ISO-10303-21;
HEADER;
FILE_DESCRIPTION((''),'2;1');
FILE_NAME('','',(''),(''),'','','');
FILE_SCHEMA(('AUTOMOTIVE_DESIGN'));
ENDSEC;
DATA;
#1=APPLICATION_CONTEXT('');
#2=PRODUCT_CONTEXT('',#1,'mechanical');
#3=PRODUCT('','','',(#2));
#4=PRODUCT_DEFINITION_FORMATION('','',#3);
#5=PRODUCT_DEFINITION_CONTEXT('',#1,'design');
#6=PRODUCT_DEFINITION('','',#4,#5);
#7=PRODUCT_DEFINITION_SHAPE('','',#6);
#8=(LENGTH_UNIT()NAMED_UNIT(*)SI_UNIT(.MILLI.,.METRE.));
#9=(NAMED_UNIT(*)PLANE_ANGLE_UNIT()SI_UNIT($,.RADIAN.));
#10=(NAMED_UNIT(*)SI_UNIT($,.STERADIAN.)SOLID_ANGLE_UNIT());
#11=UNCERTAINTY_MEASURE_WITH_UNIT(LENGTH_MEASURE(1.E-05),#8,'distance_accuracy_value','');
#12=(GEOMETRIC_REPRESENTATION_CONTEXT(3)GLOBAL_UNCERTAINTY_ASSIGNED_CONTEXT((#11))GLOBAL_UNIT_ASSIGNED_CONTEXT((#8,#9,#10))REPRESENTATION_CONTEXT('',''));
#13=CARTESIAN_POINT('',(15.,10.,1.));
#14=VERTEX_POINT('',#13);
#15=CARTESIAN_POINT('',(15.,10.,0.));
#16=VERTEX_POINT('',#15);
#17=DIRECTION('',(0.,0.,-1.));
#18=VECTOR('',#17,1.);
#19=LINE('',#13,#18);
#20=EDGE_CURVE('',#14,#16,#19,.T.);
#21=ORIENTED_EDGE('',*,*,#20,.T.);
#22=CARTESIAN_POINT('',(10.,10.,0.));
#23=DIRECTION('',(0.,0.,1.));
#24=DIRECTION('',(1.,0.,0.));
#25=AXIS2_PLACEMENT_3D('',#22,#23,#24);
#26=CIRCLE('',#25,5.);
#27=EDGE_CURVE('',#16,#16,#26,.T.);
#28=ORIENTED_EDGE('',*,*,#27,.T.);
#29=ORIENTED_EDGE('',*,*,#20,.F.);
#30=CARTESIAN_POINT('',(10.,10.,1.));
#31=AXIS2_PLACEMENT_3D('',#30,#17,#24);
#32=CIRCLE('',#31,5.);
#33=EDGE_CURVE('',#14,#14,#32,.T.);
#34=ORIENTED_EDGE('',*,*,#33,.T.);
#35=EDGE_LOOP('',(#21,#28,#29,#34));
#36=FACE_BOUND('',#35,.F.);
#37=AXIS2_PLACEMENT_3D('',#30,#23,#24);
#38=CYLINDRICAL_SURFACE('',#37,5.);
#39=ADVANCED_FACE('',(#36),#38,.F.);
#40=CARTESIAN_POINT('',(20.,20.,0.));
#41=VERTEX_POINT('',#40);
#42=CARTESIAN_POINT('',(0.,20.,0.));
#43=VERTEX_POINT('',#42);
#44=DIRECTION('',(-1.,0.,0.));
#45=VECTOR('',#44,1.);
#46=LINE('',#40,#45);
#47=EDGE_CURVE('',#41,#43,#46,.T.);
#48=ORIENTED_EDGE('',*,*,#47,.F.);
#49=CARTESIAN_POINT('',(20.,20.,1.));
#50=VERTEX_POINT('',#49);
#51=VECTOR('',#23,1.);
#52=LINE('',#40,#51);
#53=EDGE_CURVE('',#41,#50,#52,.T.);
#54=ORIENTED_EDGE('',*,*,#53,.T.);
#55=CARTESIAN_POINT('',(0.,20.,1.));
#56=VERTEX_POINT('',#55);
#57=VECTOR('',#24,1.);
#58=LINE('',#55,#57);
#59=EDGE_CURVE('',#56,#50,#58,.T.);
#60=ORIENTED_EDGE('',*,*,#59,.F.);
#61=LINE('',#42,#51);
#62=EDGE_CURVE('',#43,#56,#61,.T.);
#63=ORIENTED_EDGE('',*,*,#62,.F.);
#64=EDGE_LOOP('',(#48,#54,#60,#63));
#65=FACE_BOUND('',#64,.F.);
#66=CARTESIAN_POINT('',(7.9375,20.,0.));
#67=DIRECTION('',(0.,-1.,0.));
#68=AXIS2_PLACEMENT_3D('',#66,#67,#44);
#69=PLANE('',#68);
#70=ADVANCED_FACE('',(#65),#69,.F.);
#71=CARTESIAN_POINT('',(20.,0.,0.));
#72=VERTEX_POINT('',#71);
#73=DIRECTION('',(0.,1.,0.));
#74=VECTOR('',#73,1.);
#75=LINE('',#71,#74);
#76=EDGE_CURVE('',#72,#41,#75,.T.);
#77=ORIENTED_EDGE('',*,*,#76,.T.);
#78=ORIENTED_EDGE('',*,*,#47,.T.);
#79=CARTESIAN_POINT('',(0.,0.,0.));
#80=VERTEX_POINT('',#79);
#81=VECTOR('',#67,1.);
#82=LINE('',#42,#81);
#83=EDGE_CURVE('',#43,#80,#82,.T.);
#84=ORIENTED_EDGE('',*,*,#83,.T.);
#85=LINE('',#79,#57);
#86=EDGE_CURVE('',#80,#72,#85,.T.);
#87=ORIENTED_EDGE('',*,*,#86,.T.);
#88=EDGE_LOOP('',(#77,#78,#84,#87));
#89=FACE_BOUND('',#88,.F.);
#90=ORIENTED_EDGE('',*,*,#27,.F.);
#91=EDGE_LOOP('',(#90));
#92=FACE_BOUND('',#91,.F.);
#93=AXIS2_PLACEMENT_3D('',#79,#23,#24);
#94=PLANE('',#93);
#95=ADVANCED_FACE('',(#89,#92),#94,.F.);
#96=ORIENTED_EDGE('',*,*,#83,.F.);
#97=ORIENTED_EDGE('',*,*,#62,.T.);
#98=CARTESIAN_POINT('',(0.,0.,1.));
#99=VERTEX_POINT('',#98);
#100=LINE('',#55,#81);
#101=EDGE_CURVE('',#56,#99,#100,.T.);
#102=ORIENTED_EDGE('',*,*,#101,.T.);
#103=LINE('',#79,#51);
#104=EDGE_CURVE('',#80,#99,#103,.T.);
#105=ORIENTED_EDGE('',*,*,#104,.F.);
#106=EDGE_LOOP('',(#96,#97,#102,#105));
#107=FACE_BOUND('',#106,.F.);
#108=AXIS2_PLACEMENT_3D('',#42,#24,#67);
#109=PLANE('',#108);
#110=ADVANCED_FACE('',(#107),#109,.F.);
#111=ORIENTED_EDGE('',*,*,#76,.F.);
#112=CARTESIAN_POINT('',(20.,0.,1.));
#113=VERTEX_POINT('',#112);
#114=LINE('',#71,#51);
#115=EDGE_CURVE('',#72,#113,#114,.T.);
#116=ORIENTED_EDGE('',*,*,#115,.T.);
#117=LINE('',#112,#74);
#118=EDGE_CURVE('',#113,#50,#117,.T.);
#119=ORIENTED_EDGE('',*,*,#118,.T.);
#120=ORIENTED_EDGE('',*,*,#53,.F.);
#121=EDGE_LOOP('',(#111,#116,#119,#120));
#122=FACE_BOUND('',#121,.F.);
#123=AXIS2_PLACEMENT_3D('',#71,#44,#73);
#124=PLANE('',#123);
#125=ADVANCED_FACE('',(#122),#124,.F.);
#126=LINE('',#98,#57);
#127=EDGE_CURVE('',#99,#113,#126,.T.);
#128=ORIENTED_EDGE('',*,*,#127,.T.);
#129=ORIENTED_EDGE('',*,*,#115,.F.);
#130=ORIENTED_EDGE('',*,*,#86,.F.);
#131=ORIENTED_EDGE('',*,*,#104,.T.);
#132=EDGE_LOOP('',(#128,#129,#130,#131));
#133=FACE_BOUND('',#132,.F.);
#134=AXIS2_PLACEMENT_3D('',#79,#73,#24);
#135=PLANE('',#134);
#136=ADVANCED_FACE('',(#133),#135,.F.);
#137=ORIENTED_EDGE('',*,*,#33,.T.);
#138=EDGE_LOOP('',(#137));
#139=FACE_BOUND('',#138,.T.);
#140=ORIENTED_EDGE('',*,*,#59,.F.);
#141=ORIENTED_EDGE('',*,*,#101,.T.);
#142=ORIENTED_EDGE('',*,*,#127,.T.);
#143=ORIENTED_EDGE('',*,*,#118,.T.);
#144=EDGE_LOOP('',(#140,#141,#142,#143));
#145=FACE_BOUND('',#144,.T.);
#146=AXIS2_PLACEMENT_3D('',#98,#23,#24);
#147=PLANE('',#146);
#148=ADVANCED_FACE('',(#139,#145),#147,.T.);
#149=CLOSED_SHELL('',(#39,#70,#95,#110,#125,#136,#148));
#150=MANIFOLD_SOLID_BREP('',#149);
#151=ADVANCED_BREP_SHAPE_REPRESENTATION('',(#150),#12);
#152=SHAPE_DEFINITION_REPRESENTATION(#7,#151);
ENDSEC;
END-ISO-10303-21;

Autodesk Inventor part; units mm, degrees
ref_plane "YZ Plane" through (0, 0, 0) normal (1, 0, 0) x (0, 1, 0)
ref_plane "XZ Plane" through (0, 0, 0) normal (0, 1, 0) x (-1, 0, 0)
ref_plane "XY Plane" through (0, 0, 0) normal (0, 0, 1) x (1, 0, 0)
sketch "Sketch1" plane through (0, 0, 0) normal (0, 0, 1) x (1, 0, 0)
  line L0 (0, 0) -> (20, 0)
  line L1 (20, 0) -> (20, 20)
  line L2 (20, 20) -> (0, 20)
  line L3 (0, 20) -> (0, 0)
  line L4 (0, 20) -> (7.9375, 20)
  dimension "d0" = 20
  dimension "d1" = 20
extrude "Extrusion1" add sketch "Sketch1" along normal blind 1
sketch "Sketch2" plane through (0, 0, 1) normal (0, 0, 1) x (1, 0, 0)
  line L0 (0, 0) -> (20, 0) projected
  line L1 (0, 0) -> (10, 0)
  line L2 (10, 0) -> (10, 10)
  circle A0 centre (10, 10) radius 5
  dimension "d4" = 10
  dimension "d5" = 10
  dimension "d6" = 10
extrude "Extrusion2" cut sketch "Sketch2" against normal blind 1
thread "Thread1" size "M10x1.5" class "6H" standard "ANSI Metric M Profile" full length
properties part number "nut"
